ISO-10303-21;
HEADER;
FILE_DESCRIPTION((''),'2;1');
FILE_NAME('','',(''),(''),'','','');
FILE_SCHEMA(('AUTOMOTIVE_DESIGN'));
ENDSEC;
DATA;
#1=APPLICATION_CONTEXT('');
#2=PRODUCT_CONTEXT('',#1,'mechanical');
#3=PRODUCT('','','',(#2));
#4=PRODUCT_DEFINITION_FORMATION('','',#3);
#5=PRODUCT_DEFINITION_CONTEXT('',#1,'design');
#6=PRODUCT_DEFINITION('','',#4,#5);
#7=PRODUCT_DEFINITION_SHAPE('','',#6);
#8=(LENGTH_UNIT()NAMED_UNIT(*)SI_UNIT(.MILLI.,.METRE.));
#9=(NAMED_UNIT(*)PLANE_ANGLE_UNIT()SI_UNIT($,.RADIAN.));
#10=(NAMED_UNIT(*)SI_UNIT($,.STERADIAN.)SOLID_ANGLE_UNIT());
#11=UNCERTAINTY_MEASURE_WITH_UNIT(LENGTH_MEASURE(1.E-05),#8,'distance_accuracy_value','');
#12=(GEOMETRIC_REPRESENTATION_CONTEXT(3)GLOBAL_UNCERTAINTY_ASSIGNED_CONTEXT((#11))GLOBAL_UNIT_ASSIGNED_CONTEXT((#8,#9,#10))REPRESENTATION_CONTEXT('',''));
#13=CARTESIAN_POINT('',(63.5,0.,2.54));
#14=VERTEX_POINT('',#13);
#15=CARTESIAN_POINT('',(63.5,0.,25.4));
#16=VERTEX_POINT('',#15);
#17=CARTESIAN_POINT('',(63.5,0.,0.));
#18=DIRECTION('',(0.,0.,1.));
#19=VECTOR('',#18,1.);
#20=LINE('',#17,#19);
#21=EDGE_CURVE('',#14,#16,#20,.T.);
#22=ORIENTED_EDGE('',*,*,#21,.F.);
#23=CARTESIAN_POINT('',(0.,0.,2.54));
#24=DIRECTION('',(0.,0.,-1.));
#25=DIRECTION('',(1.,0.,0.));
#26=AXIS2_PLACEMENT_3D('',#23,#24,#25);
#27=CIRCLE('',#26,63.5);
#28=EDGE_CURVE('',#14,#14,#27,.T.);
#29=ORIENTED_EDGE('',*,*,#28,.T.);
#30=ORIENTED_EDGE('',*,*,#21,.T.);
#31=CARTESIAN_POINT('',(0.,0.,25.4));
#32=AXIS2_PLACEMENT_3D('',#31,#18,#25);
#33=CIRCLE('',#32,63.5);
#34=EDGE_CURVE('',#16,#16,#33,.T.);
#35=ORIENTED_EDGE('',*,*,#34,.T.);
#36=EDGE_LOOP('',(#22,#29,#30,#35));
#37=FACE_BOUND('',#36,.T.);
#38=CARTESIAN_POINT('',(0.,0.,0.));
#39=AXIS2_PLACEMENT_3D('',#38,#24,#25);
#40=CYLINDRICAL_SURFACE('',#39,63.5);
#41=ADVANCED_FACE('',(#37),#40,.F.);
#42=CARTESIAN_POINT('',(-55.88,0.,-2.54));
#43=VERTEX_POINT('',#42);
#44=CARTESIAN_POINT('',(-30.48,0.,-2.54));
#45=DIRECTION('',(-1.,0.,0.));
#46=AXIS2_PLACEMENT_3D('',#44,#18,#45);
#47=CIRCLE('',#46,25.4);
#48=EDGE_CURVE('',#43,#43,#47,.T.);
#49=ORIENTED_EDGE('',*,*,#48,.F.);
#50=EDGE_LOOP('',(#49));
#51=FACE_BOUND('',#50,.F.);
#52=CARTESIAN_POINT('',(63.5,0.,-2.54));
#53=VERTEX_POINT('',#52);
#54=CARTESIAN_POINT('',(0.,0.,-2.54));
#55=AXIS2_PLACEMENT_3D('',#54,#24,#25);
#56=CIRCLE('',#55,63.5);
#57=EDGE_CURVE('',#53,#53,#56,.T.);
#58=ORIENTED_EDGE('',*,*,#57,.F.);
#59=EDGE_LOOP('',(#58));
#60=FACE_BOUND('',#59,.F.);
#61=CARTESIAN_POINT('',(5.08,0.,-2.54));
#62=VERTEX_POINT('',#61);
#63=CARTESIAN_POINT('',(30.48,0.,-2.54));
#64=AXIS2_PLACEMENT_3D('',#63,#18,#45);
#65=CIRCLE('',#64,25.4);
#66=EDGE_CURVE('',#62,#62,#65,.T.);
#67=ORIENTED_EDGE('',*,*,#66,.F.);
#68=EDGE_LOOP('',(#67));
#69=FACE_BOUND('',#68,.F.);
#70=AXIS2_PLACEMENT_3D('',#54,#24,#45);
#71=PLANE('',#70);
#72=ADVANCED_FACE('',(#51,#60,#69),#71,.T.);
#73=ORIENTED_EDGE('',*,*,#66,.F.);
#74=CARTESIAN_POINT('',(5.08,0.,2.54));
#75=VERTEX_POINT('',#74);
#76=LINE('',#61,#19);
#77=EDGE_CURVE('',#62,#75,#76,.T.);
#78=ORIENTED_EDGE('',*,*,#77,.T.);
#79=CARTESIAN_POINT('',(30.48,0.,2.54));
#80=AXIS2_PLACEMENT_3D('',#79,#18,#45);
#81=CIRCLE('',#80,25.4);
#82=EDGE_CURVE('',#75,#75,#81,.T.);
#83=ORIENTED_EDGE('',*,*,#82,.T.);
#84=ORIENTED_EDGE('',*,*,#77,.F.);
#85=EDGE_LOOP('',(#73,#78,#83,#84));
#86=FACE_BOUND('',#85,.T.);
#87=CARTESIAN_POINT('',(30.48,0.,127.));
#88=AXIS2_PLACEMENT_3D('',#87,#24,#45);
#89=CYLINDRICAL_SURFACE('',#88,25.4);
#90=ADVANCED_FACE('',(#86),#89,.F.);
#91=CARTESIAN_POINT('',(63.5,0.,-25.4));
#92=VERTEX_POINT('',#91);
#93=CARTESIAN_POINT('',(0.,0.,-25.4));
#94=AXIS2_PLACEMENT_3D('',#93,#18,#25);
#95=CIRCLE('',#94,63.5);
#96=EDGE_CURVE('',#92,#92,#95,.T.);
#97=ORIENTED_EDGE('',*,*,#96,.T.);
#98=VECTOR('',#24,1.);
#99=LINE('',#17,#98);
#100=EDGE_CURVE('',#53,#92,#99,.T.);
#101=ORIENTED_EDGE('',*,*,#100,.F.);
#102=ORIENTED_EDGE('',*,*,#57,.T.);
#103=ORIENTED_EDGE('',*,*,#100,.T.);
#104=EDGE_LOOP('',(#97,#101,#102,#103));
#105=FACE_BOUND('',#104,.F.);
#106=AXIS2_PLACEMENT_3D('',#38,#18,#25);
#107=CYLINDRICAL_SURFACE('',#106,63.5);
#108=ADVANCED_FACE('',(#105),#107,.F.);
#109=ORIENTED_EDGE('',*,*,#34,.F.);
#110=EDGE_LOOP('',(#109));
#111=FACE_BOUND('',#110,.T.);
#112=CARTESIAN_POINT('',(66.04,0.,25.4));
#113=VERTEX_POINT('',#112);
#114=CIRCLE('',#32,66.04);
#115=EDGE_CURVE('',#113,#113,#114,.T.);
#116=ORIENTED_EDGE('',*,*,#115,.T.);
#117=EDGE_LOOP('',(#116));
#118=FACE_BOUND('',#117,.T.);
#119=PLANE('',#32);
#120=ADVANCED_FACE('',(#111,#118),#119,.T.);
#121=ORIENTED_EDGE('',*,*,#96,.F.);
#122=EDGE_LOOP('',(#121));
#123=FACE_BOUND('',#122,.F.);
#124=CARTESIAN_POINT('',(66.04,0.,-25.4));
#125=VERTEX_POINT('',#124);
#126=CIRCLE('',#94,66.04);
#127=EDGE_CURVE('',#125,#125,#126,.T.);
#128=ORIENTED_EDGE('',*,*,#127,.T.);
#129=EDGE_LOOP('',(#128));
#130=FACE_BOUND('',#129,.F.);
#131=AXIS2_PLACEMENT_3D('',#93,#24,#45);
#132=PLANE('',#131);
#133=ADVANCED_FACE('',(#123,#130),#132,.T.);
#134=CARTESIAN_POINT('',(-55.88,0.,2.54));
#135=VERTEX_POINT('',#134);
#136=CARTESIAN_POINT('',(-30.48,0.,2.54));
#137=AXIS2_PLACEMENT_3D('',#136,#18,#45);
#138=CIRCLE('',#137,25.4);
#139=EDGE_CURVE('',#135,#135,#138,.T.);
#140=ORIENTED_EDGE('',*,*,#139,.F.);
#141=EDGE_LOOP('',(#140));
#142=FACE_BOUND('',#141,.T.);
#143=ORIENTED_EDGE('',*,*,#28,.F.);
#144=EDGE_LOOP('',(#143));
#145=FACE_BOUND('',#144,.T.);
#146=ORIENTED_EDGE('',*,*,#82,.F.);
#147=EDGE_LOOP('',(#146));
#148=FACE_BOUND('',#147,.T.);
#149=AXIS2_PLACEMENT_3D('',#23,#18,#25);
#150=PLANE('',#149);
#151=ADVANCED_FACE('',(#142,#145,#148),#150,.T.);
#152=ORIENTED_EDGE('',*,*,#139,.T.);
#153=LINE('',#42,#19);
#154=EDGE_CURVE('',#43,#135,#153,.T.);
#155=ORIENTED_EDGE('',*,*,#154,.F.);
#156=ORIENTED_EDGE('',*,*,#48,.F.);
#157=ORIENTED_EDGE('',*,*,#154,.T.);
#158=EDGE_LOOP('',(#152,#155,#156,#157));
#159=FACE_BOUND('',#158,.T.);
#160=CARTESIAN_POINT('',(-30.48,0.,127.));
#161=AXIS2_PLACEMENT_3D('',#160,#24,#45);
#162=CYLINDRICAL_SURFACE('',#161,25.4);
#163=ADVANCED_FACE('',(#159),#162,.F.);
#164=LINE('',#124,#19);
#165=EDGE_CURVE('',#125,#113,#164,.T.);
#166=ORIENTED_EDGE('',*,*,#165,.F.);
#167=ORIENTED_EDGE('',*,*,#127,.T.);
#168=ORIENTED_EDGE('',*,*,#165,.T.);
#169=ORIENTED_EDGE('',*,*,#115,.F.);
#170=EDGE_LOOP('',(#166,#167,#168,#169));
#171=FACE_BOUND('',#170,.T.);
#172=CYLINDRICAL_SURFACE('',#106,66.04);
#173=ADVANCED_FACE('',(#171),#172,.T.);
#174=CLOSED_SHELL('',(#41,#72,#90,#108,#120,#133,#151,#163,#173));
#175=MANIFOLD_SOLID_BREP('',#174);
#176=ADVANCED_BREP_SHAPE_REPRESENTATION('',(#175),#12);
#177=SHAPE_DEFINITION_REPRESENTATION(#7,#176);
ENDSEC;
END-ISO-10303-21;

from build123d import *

# Parameters (mm, degrees)
F0_R     = 66.04
F1_DEPTH = 25.4
F3_T     = -2.54
F5_D     = 50.8
F5_DEPTH = 127


with BuildPart() as f1:
    # F0 (on Top) → F1 (new body)
    with BuildSketch(Plane.XY):
        Circle(F0_R)
    extrude(amount=F1_DEPTH)

    # F3
    f3_openings = [f1.faces().sort_by_distance(p)[0] for p in [
        (0, 0, 25.4),
    ]]
    offset(amount=F3_T, openings=f3_openings)

    # F5
    with Locations(Plane(origin=(0, 0, 0), x_dir=(1, 0, 0), z_dir=(0, 0, -1))):
        with Locations((30.48, 0), (-30.48, 0)):
            Hole(F5_D / 2, depth=F5_DEPTH)

    # F6: F1 across face


with BuildPart() as f1_1:
    add(f1.part)
    add(f1.part.mirror(Plane(origin=(0, 0, 0), x_dir=(1, 0, 0), z_dir=(0, 0, -1))))


solid = f1_1.part
